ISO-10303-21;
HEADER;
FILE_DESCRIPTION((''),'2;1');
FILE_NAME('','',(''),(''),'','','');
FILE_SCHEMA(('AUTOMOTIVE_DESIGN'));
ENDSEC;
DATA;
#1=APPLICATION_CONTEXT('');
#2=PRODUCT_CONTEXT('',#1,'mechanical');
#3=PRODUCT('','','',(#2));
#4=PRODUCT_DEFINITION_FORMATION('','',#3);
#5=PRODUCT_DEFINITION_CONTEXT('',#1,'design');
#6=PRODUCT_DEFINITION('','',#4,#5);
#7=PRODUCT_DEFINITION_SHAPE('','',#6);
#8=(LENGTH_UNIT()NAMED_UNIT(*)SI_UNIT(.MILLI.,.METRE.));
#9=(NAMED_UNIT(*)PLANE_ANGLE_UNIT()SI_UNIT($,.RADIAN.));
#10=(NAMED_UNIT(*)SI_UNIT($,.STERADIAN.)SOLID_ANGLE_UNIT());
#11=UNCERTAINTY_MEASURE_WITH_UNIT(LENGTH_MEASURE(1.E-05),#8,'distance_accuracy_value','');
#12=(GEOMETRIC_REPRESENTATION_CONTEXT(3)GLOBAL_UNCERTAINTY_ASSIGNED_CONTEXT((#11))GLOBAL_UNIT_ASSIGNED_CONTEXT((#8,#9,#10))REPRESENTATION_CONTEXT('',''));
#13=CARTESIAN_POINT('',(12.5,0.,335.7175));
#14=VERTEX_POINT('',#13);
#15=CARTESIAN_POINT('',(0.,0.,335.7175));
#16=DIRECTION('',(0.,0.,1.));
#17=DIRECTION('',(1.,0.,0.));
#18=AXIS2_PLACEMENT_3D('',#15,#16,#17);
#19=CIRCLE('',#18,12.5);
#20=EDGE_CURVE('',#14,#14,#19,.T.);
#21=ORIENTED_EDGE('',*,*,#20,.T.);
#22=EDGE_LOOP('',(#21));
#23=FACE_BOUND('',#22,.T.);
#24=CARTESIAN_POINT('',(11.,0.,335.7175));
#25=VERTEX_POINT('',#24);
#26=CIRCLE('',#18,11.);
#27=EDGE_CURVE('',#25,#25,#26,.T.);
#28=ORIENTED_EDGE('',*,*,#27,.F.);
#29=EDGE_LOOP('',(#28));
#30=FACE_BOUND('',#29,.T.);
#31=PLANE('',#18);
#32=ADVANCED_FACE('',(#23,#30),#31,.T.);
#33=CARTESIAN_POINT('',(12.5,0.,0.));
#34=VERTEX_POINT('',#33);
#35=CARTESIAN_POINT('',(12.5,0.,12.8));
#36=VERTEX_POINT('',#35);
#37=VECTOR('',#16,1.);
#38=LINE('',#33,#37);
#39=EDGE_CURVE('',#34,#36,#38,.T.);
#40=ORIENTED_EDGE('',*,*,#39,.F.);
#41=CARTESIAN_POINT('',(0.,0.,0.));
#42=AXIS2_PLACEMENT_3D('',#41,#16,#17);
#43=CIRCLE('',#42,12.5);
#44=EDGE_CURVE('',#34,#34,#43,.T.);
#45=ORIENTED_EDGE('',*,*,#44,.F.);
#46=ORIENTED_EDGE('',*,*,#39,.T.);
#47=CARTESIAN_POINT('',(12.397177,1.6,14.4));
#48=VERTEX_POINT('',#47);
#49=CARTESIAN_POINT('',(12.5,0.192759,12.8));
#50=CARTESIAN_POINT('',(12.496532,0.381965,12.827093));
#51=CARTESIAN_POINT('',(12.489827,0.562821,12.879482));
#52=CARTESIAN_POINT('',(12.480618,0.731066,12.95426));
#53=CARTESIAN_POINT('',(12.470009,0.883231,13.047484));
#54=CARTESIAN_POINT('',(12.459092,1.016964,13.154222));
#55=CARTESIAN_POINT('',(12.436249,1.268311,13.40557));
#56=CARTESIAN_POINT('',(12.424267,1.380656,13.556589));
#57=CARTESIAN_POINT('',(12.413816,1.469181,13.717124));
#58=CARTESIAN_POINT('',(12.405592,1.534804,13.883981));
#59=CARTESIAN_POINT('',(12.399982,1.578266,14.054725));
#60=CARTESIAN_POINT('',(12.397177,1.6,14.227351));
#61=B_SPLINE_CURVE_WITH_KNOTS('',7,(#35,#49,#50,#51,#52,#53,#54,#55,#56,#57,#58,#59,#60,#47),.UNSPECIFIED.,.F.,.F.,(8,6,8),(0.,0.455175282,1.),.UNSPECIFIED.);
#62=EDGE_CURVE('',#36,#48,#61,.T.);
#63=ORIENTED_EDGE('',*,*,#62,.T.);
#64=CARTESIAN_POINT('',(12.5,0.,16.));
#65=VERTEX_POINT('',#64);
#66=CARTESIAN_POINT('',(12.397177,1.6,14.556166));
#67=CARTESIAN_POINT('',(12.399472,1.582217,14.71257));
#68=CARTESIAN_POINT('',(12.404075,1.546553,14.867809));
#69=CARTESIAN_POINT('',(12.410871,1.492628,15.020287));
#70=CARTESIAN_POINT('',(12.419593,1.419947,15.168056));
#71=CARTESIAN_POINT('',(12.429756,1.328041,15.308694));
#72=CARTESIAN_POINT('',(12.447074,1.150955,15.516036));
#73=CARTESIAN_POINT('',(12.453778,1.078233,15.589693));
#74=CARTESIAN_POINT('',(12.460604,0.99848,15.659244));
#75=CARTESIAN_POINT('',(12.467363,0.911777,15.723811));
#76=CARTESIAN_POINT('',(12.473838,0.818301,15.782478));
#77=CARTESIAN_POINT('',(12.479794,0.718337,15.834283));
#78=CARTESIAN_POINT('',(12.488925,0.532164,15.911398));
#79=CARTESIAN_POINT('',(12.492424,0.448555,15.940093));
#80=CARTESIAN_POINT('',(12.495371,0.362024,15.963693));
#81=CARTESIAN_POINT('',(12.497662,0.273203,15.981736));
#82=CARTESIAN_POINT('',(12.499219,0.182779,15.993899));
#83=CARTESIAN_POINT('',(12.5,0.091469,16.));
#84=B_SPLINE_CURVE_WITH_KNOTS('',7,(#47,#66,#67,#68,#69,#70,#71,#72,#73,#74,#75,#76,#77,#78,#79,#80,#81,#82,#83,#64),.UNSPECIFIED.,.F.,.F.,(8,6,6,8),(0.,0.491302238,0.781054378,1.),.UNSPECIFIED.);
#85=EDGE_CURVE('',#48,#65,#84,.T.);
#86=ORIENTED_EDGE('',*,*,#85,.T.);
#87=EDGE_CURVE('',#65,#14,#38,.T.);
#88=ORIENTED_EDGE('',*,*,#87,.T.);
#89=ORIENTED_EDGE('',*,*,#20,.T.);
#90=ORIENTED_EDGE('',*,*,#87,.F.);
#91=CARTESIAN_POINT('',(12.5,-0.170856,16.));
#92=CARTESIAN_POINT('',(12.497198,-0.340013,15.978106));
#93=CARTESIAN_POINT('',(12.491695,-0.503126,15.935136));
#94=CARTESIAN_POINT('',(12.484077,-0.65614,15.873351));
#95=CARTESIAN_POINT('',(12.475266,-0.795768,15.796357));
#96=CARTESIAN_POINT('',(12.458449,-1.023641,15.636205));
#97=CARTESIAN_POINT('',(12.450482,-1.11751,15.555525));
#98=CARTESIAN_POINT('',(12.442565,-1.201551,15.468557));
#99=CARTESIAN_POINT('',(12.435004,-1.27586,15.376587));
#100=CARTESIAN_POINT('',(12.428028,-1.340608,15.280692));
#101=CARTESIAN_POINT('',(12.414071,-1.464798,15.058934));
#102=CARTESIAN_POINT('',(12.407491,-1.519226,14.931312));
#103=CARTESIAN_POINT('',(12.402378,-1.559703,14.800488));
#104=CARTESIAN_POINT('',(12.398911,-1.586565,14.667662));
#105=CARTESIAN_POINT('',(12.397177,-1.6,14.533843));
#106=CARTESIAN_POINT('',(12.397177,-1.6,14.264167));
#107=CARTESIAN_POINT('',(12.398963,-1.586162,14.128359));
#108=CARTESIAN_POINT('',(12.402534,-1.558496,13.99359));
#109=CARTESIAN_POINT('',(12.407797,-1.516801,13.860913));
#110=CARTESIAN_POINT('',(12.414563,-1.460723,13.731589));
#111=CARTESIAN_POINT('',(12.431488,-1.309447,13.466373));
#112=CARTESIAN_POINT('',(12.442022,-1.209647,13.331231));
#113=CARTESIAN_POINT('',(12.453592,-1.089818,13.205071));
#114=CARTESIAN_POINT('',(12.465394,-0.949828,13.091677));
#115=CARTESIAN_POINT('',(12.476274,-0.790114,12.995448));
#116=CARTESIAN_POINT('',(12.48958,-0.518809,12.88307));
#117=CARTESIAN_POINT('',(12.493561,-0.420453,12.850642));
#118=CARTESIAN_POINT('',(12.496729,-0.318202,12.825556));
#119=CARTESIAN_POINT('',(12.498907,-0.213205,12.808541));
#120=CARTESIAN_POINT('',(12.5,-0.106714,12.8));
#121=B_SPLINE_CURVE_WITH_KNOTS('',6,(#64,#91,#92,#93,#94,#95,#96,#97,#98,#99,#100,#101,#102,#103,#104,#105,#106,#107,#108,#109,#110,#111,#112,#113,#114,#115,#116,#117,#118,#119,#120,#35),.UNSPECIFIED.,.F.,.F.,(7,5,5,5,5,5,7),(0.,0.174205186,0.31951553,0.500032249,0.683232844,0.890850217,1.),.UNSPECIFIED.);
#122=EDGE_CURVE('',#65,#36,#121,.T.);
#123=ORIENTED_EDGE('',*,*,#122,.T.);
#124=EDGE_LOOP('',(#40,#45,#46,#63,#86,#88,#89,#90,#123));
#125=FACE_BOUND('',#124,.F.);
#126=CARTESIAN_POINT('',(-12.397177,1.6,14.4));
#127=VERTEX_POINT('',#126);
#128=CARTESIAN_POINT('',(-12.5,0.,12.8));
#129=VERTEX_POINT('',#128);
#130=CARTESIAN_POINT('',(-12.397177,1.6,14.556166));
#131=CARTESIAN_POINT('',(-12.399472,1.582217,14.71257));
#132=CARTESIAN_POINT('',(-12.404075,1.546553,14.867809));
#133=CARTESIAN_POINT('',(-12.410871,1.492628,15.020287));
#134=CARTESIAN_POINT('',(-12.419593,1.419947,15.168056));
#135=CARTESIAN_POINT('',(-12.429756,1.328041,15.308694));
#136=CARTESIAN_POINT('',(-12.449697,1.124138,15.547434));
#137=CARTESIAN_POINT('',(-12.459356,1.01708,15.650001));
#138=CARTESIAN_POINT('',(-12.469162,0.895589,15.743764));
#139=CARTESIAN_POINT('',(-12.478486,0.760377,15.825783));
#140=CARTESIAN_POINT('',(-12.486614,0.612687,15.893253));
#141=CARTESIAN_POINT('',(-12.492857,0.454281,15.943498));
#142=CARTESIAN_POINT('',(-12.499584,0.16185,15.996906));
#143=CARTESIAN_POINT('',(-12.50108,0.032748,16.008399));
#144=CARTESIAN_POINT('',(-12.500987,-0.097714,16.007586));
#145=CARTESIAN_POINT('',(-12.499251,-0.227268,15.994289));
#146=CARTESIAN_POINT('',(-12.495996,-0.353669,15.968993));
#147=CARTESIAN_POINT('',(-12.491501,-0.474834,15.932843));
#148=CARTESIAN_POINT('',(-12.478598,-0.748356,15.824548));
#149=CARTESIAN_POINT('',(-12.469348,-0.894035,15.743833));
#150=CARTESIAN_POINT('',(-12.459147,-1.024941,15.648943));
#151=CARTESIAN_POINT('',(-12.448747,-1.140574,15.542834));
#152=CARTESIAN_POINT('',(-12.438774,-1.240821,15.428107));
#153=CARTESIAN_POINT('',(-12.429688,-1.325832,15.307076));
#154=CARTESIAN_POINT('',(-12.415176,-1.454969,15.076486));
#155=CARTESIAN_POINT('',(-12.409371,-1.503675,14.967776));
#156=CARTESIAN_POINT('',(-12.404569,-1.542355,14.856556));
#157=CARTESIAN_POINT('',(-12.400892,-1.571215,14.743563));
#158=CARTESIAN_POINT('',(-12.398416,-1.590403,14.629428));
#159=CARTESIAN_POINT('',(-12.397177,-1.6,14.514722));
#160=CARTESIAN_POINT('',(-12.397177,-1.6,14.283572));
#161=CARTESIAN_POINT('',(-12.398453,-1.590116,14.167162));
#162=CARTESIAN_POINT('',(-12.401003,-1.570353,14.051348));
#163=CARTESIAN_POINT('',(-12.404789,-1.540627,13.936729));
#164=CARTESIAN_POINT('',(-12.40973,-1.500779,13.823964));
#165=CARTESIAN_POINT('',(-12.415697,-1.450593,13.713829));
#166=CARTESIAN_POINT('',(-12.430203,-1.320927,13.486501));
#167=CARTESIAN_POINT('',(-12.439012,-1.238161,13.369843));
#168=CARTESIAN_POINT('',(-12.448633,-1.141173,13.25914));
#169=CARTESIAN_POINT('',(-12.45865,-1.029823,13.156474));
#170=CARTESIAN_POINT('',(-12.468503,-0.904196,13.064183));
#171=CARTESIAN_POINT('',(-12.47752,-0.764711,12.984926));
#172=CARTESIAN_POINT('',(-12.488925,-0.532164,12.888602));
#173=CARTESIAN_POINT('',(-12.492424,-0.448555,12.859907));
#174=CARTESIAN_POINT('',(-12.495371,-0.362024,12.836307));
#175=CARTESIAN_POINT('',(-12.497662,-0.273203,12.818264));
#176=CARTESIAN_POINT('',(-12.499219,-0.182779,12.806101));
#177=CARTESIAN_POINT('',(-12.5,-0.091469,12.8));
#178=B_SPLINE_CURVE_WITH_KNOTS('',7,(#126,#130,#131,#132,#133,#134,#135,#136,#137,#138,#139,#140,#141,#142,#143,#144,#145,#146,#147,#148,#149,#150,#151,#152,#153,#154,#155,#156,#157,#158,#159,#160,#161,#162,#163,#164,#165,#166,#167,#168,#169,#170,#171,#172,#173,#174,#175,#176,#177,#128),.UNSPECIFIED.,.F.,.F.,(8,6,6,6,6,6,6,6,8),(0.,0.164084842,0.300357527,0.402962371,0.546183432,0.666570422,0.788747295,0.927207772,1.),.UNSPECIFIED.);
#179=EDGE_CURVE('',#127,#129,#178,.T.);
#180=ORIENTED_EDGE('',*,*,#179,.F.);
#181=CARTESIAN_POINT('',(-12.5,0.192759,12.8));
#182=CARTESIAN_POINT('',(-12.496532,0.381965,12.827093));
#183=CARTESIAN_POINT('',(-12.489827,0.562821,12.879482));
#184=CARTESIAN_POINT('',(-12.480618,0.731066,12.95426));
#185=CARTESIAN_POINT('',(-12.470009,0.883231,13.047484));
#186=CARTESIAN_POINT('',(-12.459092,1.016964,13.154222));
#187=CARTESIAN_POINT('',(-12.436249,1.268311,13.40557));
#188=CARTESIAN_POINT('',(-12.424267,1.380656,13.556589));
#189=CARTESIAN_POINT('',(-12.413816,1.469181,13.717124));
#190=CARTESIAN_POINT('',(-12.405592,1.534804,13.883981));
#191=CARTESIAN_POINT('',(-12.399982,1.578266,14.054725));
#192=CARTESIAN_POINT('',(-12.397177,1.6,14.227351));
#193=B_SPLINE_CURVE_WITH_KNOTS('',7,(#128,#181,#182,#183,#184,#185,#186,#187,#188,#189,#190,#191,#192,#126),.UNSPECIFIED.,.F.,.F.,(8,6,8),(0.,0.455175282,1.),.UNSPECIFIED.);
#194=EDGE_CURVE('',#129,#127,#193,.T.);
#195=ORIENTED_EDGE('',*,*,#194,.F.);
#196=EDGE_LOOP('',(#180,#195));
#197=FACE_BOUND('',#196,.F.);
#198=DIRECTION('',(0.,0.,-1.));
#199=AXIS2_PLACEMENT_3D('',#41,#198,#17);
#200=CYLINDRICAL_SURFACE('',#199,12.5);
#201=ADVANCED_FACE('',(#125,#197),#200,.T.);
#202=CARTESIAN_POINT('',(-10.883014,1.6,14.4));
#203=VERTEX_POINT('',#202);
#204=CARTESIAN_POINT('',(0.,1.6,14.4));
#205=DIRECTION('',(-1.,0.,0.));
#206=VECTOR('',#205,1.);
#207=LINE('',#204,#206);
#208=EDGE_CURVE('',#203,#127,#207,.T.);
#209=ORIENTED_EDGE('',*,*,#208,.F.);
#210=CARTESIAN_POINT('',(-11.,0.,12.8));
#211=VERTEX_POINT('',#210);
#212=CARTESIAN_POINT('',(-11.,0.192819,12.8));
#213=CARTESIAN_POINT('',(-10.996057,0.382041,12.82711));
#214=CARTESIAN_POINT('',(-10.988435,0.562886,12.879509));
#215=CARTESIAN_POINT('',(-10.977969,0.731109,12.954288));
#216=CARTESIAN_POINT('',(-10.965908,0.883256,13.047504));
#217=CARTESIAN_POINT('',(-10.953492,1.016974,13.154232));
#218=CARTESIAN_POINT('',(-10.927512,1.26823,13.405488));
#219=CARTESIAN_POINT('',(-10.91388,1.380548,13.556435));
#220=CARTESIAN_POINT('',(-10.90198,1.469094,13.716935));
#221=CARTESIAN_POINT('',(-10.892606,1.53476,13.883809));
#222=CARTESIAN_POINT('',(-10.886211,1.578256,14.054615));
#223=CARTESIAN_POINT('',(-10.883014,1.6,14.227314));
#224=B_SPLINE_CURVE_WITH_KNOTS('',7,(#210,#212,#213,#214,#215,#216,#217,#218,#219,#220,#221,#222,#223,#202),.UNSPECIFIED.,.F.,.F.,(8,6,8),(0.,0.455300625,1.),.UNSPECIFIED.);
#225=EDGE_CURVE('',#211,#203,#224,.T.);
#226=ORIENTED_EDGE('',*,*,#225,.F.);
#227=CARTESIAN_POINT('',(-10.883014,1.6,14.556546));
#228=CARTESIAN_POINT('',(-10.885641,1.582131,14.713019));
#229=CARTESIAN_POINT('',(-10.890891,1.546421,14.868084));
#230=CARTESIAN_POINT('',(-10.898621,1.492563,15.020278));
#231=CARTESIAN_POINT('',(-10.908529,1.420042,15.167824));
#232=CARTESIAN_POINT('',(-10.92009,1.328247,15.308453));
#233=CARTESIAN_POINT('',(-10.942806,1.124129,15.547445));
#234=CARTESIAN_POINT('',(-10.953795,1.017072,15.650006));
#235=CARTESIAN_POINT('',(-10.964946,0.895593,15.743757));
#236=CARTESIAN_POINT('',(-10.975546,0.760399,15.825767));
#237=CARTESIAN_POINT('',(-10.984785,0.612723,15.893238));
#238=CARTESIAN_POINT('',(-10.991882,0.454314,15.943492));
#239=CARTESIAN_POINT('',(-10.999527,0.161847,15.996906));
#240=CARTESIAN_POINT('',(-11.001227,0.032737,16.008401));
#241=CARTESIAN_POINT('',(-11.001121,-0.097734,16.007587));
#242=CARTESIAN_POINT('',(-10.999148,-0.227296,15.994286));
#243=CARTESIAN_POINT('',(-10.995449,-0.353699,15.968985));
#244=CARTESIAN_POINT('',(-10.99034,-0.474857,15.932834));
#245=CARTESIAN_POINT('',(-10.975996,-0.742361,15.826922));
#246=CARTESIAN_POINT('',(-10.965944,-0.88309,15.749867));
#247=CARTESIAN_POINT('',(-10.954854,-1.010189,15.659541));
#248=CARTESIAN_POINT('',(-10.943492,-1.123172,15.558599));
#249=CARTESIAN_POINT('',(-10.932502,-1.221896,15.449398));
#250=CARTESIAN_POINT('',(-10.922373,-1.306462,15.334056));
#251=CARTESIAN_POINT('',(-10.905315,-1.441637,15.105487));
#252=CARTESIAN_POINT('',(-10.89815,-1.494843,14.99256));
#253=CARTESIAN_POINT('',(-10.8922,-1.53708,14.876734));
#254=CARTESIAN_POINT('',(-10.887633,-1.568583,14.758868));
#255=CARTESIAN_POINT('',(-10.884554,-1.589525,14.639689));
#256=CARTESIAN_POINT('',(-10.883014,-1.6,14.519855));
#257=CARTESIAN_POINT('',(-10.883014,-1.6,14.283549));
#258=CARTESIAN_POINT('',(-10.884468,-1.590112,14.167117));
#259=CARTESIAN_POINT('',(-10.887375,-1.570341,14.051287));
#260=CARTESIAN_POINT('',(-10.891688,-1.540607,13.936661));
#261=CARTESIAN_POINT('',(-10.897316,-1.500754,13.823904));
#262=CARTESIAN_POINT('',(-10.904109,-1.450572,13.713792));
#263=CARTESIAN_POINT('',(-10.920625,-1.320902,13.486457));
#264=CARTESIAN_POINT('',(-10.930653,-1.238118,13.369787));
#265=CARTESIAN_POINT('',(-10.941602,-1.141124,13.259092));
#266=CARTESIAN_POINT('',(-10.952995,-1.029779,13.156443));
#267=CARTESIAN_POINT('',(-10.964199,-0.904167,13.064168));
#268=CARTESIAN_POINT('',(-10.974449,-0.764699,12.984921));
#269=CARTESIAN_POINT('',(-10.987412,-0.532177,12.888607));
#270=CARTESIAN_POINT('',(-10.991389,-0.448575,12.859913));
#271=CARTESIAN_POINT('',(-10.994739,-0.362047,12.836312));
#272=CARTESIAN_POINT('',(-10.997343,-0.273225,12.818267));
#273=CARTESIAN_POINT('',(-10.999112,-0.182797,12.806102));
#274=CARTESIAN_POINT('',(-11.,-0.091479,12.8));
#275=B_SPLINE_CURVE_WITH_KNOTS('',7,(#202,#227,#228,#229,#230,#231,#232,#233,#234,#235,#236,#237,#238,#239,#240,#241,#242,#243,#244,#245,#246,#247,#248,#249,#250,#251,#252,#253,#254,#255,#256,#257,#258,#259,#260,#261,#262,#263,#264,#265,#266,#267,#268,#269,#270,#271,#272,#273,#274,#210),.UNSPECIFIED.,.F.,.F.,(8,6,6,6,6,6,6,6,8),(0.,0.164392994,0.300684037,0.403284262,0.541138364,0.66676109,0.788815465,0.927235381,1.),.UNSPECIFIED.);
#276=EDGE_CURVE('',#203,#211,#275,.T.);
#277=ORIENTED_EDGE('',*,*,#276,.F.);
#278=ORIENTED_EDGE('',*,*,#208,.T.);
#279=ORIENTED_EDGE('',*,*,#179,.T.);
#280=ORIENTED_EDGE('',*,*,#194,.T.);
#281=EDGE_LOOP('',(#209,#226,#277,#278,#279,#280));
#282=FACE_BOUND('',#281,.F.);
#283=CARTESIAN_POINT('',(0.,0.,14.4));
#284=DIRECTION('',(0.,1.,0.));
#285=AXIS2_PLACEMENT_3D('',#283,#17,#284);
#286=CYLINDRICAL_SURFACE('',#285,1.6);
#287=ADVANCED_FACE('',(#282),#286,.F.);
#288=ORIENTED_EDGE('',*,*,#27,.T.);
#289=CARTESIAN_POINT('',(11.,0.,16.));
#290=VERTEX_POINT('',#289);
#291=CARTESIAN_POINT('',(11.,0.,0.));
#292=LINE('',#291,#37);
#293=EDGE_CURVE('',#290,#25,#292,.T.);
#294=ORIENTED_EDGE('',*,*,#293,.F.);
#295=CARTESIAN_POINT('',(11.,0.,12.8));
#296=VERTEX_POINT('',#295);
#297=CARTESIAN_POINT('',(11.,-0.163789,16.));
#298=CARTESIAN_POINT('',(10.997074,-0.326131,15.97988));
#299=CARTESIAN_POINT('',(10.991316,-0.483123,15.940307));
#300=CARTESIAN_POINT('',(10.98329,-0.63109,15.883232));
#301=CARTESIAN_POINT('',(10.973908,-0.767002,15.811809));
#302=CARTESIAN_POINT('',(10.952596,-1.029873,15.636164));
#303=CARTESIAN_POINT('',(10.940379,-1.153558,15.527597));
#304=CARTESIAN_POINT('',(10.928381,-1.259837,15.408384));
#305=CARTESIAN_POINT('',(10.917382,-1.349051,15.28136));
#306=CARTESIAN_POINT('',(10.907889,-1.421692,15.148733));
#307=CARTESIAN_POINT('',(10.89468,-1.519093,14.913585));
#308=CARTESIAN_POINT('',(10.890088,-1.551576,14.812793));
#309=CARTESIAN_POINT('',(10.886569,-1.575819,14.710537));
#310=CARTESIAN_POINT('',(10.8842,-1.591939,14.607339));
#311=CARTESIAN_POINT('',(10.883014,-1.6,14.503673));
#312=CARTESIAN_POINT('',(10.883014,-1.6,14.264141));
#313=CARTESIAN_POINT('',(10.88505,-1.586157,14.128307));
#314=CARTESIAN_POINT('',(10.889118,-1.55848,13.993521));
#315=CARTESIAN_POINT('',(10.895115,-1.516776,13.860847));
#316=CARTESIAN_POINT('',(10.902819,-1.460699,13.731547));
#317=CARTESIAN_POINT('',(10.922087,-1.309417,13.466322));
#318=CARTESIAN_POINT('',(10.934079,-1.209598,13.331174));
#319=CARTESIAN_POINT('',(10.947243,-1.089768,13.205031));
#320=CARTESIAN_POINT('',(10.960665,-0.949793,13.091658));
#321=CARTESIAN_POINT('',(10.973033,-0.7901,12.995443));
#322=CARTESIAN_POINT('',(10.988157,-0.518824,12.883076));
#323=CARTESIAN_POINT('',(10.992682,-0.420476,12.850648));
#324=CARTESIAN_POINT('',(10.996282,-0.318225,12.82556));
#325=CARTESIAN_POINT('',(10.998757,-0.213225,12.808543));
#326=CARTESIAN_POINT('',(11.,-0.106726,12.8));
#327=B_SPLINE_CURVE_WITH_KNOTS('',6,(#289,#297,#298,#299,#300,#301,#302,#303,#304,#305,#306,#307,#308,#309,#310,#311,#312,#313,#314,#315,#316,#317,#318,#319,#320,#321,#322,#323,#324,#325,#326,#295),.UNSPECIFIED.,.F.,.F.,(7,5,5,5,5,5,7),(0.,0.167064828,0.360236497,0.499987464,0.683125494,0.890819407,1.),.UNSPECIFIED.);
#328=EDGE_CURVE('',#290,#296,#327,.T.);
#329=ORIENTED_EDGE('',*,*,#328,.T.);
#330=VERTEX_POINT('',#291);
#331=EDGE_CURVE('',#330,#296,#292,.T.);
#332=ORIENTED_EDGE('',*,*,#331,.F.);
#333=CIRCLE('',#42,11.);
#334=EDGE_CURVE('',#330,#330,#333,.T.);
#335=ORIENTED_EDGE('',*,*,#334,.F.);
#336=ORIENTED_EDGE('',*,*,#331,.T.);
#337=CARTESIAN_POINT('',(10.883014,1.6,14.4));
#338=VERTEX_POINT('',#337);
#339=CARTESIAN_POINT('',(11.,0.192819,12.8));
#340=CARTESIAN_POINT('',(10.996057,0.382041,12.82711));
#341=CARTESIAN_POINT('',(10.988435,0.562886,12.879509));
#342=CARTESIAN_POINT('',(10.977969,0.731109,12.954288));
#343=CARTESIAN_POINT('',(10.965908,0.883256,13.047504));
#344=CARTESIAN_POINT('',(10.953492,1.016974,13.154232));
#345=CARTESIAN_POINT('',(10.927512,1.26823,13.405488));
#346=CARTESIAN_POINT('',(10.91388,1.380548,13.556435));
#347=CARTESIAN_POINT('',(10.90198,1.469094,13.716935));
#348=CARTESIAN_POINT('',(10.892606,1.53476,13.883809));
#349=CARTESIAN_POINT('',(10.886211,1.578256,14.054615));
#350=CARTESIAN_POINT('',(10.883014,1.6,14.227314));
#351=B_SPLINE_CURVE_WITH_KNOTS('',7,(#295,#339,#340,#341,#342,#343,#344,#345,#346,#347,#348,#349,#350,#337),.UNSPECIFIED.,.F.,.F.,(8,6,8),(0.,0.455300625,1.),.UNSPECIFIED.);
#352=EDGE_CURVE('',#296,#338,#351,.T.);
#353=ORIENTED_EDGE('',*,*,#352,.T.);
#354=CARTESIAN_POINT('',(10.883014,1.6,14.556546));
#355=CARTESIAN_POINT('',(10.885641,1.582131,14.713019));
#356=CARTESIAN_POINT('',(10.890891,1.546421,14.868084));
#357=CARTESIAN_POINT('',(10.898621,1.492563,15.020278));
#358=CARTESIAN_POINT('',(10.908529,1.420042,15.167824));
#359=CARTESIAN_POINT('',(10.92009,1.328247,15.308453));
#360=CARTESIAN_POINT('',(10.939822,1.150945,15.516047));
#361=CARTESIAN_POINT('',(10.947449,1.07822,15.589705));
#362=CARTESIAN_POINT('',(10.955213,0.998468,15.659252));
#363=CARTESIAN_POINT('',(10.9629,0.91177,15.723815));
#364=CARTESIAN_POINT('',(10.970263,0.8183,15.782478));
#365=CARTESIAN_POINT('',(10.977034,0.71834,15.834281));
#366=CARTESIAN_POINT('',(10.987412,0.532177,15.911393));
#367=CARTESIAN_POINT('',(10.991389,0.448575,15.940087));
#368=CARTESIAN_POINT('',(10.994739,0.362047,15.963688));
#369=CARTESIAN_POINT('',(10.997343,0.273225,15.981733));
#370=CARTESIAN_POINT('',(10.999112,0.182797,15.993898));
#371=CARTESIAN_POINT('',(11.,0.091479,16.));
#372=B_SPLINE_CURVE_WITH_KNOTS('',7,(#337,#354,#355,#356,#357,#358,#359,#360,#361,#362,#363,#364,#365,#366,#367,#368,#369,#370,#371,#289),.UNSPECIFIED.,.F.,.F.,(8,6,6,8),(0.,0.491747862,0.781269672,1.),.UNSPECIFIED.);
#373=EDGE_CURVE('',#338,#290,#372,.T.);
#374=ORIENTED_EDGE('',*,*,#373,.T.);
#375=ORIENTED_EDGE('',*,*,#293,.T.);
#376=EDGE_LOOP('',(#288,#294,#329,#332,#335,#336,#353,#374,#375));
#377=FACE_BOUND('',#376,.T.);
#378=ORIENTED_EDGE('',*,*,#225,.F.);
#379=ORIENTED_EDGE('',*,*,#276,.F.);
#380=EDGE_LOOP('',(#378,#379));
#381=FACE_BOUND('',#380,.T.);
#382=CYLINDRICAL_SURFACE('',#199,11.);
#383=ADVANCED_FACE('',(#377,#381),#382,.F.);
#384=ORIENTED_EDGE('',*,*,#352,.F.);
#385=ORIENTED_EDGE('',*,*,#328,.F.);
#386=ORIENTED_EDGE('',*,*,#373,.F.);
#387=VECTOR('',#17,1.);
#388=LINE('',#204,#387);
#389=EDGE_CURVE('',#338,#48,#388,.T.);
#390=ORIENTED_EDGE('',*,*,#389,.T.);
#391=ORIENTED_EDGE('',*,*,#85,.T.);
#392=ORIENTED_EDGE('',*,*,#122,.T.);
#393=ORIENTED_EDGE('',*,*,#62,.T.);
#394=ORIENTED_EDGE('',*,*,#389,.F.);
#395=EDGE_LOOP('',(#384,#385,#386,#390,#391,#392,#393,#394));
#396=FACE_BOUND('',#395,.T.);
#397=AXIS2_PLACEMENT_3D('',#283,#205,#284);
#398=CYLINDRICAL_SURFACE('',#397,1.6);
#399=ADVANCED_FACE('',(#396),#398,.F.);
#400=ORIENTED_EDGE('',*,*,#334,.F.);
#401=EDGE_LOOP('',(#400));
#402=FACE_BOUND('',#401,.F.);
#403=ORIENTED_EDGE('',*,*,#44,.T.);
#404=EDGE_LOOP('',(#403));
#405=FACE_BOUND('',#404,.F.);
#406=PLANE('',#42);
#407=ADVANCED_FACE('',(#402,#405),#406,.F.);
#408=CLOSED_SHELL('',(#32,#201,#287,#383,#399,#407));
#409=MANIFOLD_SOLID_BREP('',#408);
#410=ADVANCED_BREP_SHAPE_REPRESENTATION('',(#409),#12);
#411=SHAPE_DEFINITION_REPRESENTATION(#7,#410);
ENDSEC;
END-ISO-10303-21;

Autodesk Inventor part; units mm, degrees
ref_plane "YZ Plane" through (0, 0, 0) normal (1, 0, 0) x (0, 1, 0)
ref_plane "XZ Plane" through (0, 0, 0) normal (0, 1, 0) x (-1, 0, 0)
ref_plane "XY Plane" through (0, 0, 0) normal (0, 0, 1) x (1, 0, 0)
sketch "Sketch1" plane through (0, 0, 0) normal (0, 0, 1) x (1, 0, 0)
  circle A0 centre (0, 0) radius 12.5
  circle A1 centre (0, 0) radius 11
  dimension "d0" = 25
  dimension "d1" = 22
extrude "Extrusion1" add sketch "Sketch1" along normal blind 335.7175
sketch "Sketch3" plane through (0, 0, 0) normal (1, 0, 0) x (0, 1, 0)
  line L0 (0, 0) -> (0, 14.4)
  circle A0 centre (0, 14.4) radius 1.6
  dimension "d9" = 3.2
  dimension "d12" = 14.4
extrude "Extrusion3" cut sketch "Sketch3" along normal through all both and the other way through all
equation "\"MountToMotorCenter\" = 0"
equation "\"ArmPosition\" = 5deg"
equation "\"BatteryWidth\" = 62"
equation "\"BatteryHeight\" = 76"
equation "\"ThicknessBodyOuterPlate\" = 2"
equation "\"ThicknessBodyCenterPlate\" = 2"
equation "\"ThicknessLegLoadpipePlate\" = 2"
equation "\"ThicknessBatteryTray\" = 2"
equation "\"ThicknessBatteryTopTray\" = 1"
equation "\"LandingGearStabilityBar\" = 525"
equation "\"StartAngleArm\" = 45deg"
equation "\"MotorMountCenter\" = 71.5"
properties part number "Tube_16x1x380_CFRP" material "CFRP"
